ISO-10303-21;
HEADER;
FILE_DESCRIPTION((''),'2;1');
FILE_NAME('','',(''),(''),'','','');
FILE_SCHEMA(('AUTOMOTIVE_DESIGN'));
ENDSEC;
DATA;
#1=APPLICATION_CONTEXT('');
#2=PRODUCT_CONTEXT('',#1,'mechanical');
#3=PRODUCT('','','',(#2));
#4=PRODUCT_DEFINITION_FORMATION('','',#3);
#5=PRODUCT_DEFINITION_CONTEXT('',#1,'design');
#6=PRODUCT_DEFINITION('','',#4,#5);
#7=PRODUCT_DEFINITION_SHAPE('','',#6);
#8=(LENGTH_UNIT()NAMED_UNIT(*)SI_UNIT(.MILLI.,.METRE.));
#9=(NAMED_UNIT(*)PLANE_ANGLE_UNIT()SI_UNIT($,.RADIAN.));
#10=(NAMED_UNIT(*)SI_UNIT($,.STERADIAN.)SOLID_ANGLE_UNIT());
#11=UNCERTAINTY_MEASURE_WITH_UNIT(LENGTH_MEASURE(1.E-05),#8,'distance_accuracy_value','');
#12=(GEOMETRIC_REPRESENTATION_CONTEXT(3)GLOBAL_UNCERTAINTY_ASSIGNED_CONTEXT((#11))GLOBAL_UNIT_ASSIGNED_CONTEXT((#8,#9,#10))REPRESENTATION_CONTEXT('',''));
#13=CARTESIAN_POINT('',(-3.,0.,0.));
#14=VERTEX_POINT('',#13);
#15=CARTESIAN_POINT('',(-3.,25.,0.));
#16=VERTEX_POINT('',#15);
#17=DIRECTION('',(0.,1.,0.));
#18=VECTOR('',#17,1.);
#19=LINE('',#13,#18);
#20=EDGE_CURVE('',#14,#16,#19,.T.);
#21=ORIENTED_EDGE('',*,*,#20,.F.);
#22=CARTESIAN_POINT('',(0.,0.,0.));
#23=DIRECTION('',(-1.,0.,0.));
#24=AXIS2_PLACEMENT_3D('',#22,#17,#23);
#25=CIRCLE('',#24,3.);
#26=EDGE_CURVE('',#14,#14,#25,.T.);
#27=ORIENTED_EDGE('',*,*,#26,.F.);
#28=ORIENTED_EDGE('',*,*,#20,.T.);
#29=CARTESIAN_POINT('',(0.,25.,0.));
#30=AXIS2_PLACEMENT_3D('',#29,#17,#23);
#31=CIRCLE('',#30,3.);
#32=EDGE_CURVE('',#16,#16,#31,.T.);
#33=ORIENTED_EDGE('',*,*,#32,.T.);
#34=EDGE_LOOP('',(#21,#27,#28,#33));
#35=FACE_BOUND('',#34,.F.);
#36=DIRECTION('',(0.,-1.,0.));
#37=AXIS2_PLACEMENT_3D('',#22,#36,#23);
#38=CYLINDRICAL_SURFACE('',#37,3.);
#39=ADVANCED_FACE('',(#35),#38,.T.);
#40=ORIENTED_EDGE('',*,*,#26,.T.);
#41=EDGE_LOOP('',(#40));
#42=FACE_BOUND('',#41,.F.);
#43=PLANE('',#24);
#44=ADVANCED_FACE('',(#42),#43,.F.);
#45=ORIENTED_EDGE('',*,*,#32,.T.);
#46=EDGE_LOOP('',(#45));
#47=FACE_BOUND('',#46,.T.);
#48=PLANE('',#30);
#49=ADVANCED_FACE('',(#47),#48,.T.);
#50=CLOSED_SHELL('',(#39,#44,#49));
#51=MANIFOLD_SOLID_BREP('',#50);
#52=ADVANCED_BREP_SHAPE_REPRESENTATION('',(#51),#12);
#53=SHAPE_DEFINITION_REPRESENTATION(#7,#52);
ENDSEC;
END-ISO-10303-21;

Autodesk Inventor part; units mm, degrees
ref_plane "YZ Plane" through (0, 0, 0) normal (1, 0, 0) x (0, 1, 0)
ref_plane "XZ Plane" through (0, 0, 0) normal (0, 1, 0) x (-1, 0, 0)
ref_plane "XY Plane" through (0, 0, 0) normal (0, 0, 1) x (1, 0, 0)
sketch "Sketch1" plane through (0, 0, 0) normal (0, 1, 0) x (-1, 0, 0)
  circle A0 centre (0, 0) radius 3
  dimension "d0" = 6
extrude "Extrusion1" add sketch "Sketch1" along normal blind 25
properties part number "rod"
